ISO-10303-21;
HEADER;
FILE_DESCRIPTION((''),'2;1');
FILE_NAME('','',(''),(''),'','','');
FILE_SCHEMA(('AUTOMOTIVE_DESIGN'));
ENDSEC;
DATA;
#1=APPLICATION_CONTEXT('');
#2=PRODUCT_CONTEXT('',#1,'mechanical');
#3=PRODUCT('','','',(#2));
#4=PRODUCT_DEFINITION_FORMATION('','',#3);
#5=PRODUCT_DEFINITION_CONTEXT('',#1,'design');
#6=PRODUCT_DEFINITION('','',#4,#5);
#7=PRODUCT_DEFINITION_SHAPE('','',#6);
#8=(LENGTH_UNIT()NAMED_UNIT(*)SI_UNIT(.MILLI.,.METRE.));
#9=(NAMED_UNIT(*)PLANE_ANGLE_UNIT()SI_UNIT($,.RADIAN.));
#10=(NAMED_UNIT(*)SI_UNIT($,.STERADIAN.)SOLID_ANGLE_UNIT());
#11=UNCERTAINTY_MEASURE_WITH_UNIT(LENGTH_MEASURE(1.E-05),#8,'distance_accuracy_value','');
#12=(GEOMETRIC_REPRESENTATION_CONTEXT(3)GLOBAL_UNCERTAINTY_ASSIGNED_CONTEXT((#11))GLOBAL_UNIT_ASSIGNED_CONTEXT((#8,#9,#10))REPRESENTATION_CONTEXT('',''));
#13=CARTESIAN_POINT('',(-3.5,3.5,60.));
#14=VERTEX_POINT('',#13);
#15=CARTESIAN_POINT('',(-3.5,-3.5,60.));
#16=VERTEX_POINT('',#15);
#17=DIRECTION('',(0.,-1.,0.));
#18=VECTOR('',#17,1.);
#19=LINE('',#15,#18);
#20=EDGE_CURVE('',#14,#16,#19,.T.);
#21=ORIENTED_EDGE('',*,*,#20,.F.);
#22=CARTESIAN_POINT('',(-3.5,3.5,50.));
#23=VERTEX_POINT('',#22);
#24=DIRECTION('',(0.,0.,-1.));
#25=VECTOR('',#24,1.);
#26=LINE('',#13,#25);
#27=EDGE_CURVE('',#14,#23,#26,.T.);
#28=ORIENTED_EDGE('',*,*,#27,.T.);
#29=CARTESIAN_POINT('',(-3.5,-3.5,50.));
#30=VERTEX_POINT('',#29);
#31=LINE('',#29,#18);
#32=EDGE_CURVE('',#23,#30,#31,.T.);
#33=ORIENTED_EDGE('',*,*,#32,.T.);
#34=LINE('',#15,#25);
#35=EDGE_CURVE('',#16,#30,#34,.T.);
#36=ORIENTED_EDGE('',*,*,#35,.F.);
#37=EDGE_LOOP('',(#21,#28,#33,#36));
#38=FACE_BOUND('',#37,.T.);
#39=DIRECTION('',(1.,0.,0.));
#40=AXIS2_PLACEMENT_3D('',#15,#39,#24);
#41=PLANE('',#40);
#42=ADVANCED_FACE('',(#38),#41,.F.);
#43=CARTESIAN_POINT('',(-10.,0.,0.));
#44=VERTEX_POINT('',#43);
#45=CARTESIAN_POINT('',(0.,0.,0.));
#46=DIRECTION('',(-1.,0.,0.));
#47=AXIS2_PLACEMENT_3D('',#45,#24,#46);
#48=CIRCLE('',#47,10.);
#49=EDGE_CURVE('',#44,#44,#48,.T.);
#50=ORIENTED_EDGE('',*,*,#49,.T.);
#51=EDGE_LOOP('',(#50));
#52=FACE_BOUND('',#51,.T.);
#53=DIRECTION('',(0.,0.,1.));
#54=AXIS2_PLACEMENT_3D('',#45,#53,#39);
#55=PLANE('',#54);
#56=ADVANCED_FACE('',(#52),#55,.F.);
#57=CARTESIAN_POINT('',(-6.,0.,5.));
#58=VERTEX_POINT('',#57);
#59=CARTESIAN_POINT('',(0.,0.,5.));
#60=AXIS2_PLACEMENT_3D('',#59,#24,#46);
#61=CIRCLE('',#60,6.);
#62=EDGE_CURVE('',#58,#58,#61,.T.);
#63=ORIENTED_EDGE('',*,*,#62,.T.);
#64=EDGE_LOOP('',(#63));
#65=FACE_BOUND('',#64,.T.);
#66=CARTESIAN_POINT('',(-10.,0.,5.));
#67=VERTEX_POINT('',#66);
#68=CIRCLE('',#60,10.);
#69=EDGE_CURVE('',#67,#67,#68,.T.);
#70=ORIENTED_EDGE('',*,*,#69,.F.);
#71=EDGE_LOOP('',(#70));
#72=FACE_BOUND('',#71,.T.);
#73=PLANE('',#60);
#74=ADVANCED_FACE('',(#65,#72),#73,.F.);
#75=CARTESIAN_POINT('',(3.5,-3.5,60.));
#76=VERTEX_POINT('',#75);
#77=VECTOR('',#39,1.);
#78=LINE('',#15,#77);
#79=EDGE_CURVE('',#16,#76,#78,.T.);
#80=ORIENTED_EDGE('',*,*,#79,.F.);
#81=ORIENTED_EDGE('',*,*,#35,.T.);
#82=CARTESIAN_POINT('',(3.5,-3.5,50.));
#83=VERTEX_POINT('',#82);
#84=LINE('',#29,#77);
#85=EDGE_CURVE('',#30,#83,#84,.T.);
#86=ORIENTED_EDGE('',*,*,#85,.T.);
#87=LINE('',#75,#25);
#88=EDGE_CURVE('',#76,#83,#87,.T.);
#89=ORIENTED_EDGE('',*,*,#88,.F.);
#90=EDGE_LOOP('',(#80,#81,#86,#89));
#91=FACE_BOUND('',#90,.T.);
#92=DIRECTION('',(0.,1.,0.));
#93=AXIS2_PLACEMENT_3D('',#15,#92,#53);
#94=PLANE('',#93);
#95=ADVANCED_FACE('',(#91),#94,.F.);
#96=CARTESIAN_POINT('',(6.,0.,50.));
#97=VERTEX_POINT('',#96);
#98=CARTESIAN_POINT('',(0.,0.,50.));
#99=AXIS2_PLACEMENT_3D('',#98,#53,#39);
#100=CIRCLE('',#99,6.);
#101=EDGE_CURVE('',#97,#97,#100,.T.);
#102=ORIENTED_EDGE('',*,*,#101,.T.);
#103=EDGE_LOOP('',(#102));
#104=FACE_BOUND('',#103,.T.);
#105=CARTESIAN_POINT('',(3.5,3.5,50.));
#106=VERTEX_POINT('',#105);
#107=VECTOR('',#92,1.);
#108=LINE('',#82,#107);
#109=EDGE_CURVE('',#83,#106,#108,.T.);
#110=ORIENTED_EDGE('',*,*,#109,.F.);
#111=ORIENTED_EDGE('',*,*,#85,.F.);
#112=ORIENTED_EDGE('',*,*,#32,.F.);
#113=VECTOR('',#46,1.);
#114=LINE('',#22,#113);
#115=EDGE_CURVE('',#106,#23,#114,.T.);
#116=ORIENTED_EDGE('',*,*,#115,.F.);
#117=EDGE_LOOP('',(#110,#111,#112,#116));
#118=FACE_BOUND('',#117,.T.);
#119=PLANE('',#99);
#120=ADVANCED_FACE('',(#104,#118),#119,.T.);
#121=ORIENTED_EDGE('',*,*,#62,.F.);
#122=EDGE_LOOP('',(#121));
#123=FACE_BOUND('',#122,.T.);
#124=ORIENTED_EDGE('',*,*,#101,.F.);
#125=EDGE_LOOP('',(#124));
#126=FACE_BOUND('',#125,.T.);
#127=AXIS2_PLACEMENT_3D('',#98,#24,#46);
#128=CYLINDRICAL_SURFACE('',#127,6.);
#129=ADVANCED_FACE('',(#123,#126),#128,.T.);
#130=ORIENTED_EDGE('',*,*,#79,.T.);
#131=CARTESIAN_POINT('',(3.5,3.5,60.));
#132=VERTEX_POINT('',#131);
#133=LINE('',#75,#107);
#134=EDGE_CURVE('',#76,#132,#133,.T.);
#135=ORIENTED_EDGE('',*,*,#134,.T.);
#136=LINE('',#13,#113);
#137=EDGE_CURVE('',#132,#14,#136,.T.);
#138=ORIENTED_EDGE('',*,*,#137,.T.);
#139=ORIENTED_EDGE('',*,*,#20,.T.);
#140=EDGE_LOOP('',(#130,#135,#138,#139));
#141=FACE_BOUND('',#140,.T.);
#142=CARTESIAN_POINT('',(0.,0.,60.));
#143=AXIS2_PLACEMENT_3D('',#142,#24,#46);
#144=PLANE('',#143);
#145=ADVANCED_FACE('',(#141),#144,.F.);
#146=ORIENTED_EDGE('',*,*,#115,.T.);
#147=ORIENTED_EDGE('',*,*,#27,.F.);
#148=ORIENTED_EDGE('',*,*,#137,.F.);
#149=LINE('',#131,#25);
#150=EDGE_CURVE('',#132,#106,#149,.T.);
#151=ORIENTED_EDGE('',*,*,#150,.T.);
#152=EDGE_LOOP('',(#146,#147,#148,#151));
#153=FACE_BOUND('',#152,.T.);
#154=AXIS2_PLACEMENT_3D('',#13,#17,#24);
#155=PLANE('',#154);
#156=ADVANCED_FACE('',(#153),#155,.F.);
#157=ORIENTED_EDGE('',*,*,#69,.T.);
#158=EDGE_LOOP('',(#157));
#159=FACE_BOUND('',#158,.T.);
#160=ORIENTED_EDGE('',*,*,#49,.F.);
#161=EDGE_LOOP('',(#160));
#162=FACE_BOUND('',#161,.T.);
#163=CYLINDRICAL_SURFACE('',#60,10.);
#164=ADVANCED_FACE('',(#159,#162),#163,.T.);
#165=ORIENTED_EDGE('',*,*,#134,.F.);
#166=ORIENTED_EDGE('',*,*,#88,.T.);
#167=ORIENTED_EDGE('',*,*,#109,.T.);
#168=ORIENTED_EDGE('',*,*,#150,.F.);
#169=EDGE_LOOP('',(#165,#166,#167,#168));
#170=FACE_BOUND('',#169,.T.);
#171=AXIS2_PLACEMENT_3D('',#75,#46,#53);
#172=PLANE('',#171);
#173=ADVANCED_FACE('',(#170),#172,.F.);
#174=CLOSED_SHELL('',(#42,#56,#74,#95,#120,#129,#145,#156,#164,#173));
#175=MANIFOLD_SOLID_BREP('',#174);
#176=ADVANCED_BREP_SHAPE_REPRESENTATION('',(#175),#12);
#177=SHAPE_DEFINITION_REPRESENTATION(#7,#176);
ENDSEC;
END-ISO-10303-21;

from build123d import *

# Parameters (mm, degrees)
SKETCH1_R           = 6
BOSS_EXTRUDE1_DEPTH = 50
SKETCH2_R           = 10
BOSS_EXTRUDE2_DEPTH = 5
SKETCH3_W           = 7
SKETCH3_H           = 7
BOSS_EXTRUDE3_DEPTH = 10


with BuildPart() as part:
    # Sketch1 → Boss-Extrude1 (new body)
    with BuildSketch(Plane.XY):
        Circle(SKETCH1_R)
    extrude(amount=BOSS_EXTRUDE1_DEPTH)

    # Sketch2 → Boss-Extrude2 (add)
    with BuildSketch(Plane(origin=(0, 0, 0), x_dir=(-1, 0, 0), z_dir=(0, 0, -1))):
        Circle(SKETCH2_R)
    extrude(amount=-BOSS_EXTRUDE2_DEPTH)

    # Sketch3 → Boss-Extrude3 (add)
    with BuildSketch(Plane.XY.offset(50)):
        Rectangle(SKETCH3_W, SKETCH3_H)
    extrude(amount=BOSS_EXTRUDE3_DEPTH)


solid = part.part
